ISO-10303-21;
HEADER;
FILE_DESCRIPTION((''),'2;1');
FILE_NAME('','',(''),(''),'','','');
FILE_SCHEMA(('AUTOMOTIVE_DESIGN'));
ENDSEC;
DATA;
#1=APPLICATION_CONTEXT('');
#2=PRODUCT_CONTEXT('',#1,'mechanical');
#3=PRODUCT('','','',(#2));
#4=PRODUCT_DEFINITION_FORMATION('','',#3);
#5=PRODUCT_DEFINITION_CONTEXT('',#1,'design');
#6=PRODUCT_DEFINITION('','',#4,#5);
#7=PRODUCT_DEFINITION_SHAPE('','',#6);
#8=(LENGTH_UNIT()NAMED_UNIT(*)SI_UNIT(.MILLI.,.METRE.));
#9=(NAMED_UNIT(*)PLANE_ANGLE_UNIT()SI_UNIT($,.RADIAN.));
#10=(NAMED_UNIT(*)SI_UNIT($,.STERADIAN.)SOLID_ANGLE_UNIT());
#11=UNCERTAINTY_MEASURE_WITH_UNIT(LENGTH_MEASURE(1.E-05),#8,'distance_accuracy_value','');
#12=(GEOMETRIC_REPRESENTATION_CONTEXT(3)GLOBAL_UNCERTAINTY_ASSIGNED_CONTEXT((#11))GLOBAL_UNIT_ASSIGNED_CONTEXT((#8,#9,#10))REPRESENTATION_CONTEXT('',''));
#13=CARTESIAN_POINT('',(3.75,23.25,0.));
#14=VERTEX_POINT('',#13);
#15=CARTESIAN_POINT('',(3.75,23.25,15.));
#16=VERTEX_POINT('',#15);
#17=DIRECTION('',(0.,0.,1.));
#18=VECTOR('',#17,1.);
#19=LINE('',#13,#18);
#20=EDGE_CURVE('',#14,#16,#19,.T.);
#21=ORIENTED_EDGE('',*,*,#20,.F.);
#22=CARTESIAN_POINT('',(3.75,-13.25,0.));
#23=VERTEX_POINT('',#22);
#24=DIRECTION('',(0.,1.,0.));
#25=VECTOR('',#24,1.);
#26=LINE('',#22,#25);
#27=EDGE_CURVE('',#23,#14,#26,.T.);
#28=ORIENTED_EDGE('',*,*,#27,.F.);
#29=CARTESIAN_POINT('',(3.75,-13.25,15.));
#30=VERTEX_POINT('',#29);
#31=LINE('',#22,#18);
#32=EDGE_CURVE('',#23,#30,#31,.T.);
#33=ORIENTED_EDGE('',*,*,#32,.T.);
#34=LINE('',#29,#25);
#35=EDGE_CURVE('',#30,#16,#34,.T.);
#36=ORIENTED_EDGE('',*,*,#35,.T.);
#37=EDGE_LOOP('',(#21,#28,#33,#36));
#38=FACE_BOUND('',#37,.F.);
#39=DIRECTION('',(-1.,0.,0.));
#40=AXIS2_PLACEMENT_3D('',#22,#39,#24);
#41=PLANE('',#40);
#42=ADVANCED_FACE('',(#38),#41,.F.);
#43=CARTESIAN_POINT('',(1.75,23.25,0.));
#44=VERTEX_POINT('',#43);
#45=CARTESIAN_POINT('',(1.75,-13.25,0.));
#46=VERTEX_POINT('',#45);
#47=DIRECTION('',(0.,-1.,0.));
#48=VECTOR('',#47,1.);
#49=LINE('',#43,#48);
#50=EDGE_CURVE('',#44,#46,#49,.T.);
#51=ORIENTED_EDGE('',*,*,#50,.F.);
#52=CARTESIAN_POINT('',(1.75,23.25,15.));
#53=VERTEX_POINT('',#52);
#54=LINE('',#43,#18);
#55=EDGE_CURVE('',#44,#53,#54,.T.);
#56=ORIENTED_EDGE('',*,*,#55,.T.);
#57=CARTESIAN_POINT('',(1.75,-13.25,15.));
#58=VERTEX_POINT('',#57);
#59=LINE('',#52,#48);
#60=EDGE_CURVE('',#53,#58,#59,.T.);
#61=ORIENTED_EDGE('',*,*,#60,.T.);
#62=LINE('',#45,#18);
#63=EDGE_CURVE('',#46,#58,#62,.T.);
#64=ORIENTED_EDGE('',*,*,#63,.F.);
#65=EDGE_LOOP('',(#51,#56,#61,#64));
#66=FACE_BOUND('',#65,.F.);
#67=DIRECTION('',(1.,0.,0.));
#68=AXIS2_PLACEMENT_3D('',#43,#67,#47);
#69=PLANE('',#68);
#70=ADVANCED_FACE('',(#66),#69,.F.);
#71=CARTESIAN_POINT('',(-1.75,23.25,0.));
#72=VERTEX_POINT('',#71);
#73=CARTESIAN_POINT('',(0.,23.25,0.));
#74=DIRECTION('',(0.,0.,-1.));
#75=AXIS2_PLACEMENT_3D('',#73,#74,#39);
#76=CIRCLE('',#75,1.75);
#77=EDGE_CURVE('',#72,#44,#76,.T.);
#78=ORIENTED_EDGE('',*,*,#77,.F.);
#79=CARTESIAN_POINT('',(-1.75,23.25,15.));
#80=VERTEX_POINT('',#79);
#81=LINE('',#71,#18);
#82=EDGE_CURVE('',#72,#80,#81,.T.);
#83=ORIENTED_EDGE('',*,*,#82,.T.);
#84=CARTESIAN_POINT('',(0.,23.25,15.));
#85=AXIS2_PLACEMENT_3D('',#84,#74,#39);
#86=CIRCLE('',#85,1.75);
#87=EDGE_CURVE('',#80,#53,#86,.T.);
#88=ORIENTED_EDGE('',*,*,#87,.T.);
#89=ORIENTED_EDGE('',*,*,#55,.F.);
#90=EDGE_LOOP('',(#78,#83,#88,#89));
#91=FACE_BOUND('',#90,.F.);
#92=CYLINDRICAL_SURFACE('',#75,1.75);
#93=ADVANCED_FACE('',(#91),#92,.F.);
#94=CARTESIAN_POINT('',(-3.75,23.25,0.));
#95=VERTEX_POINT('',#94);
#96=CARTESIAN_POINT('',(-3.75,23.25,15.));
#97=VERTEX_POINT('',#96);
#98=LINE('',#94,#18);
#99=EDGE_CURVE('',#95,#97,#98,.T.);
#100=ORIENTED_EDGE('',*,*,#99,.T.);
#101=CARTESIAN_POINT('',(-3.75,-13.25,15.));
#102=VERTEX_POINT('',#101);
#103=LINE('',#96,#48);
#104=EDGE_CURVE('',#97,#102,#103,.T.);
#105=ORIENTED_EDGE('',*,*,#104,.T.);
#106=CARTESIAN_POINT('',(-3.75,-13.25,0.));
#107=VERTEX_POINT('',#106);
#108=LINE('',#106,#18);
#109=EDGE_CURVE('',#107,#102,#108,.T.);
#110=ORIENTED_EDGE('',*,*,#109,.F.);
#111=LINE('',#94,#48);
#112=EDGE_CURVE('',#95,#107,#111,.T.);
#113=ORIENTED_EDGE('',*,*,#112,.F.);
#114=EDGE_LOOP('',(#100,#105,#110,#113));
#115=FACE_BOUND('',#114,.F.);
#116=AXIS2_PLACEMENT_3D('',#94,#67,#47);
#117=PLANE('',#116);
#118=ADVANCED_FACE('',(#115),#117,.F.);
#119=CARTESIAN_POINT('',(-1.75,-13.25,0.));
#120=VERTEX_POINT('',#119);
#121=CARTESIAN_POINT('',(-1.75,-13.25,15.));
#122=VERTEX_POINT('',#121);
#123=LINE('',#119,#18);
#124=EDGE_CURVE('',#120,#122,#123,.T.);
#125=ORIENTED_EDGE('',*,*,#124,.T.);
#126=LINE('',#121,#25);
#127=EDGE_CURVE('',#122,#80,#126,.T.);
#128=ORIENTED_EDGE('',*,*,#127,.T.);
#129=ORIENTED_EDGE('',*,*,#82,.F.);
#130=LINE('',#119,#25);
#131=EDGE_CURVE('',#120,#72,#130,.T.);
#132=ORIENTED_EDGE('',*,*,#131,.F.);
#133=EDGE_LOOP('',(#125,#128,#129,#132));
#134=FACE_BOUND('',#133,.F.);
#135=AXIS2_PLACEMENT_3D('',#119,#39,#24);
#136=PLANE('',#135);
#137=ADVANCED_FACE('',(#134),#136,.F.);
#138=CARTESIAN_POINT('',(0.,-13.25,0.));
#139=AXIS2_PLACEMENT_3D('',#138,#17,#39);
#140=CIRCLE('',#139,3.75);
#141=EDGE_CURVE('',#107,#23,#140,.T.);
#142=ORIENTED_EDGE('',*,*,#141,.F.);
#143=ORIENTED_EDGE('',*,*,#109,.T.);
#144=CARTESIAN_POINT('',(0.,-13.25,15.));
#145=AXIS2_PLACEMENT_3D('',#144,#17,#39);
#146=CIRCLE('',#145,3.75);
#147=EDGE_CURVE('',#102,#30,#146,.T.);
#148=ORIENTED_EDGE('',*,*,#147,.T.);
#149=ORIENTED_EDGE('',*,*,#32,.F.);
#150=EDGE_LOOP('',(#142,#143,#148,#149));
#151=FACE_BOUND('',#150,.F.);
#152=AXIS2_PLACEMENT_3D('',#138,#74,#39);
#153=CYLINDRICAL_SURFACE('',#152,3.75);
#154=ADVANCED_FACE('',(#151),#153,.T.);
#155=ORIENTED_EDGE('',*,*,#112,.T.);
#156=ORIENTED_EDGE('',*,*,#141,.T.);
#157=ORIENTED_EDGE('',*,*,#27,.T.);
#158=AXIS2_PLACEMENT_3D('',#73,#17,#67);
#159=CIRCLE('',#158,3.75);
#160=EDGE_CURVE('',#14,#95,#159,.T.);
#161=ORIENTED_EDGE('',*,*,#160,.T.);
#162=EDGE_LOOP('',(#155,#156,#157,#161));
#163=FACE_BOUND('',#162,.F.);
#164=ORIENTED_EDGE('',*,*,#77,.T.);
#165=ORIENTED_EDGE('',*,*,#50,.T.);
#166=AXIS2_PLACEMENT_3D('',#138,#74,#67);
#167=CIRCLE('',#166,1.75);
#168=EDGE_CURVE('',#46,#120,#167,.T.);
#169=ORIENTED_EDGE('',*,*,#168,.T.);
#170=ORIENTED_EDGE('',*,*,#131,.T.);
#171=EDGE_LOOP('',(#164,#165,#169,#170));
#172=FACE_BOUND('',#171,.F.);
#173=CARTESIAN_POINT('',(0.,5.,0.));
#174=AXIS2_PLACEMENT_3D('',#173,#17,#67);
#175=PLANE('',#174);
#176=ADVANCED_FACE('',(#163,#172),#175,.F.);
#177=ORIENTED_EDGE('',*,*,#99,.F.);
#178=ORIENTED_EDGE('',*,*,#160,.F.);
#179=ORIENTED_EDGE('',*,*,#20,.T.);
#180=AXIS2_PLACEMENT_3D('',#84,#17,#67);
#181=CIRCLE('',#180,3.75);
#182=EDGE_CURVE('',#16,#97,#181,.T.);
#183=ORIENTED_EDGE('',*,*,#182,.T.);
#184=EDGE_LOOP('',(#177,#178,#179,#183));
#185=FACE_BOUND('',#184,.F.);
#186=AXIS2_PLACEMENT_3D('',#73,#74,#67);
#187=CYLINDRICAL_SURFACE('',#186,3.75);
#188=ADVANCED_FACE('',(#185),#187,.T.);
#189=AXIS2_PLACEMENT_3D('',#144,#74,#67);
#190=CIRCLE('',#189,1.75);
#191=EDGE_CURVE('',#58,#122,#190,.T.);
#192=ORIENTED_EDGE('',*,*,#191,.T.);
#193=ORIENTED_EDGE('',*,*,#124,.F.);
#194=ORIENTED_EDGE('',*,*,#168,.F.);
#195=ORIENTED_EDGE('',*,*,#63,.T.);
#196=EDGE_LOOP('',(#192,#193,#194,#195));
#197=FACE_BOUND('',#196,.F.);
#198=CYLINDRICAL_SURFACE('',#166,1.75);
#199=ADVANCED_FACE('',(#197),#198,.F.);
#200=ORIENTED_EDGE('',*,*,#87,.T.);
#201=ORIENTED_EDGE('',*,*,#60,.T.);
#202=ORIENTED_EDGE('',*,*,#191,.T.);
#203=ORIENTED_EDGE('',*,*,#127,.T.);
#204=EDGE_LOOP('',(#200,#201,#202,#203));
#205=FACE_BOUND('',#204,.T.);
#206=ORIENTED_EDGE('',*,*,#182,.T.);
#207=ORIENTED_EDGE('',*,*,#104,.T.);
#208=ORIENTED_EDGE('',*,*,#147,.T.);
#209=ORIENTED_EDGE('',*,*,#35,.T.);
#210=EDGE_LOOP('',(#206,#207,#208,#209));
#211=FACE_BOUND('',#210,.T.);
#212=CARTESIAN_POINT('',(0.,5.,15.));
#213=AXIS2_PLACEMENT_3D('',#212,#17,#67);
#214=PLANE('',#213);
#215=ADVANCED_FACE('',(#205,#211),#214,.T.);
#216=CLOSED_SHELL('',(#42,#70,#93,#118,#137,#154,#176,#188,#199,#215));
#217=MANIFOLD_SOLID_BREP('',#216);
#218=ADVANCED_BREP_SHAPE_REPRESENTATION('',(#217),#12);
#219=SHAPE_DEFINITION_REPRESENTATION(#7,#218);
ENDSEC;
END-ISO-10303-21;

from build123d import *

# Parameters (mm, degrees)
F1_DEPTH = 15


with BuildPart() as f1:
    # F0 (on Top) → F1 (new body)
    with BuildSketch(Plane.XY):
        with BuildLine():
            ThreePointArc((3.75, 23.25), (0, 27), (-3.75, 23.25))
            Line((-3.75, 23.25), (-3.75, -13.25))
            ThreePointArc((-3.75, -13.25), (0, -17), (3.75, -13.25))
            Line((3.75, -13.25), (3.75, 23.25))
        make_face()
        with BuildLine():
            ThreePointArc((-1.75, 23.25), (0, 25), (1.75, 23.25))
            Line((1.75, 23.25), (1.75, -13.25))
            ThreePointArc((1.75, -13.25), (0, -15), (-1.75, -13.25))
            Line((-1.75, -13.25), (-1.75, 23.25))
        make_face(mode=Mode.SUBTRACT)
    extrude(amount=F1_DEPTH)


solid = f1.part
